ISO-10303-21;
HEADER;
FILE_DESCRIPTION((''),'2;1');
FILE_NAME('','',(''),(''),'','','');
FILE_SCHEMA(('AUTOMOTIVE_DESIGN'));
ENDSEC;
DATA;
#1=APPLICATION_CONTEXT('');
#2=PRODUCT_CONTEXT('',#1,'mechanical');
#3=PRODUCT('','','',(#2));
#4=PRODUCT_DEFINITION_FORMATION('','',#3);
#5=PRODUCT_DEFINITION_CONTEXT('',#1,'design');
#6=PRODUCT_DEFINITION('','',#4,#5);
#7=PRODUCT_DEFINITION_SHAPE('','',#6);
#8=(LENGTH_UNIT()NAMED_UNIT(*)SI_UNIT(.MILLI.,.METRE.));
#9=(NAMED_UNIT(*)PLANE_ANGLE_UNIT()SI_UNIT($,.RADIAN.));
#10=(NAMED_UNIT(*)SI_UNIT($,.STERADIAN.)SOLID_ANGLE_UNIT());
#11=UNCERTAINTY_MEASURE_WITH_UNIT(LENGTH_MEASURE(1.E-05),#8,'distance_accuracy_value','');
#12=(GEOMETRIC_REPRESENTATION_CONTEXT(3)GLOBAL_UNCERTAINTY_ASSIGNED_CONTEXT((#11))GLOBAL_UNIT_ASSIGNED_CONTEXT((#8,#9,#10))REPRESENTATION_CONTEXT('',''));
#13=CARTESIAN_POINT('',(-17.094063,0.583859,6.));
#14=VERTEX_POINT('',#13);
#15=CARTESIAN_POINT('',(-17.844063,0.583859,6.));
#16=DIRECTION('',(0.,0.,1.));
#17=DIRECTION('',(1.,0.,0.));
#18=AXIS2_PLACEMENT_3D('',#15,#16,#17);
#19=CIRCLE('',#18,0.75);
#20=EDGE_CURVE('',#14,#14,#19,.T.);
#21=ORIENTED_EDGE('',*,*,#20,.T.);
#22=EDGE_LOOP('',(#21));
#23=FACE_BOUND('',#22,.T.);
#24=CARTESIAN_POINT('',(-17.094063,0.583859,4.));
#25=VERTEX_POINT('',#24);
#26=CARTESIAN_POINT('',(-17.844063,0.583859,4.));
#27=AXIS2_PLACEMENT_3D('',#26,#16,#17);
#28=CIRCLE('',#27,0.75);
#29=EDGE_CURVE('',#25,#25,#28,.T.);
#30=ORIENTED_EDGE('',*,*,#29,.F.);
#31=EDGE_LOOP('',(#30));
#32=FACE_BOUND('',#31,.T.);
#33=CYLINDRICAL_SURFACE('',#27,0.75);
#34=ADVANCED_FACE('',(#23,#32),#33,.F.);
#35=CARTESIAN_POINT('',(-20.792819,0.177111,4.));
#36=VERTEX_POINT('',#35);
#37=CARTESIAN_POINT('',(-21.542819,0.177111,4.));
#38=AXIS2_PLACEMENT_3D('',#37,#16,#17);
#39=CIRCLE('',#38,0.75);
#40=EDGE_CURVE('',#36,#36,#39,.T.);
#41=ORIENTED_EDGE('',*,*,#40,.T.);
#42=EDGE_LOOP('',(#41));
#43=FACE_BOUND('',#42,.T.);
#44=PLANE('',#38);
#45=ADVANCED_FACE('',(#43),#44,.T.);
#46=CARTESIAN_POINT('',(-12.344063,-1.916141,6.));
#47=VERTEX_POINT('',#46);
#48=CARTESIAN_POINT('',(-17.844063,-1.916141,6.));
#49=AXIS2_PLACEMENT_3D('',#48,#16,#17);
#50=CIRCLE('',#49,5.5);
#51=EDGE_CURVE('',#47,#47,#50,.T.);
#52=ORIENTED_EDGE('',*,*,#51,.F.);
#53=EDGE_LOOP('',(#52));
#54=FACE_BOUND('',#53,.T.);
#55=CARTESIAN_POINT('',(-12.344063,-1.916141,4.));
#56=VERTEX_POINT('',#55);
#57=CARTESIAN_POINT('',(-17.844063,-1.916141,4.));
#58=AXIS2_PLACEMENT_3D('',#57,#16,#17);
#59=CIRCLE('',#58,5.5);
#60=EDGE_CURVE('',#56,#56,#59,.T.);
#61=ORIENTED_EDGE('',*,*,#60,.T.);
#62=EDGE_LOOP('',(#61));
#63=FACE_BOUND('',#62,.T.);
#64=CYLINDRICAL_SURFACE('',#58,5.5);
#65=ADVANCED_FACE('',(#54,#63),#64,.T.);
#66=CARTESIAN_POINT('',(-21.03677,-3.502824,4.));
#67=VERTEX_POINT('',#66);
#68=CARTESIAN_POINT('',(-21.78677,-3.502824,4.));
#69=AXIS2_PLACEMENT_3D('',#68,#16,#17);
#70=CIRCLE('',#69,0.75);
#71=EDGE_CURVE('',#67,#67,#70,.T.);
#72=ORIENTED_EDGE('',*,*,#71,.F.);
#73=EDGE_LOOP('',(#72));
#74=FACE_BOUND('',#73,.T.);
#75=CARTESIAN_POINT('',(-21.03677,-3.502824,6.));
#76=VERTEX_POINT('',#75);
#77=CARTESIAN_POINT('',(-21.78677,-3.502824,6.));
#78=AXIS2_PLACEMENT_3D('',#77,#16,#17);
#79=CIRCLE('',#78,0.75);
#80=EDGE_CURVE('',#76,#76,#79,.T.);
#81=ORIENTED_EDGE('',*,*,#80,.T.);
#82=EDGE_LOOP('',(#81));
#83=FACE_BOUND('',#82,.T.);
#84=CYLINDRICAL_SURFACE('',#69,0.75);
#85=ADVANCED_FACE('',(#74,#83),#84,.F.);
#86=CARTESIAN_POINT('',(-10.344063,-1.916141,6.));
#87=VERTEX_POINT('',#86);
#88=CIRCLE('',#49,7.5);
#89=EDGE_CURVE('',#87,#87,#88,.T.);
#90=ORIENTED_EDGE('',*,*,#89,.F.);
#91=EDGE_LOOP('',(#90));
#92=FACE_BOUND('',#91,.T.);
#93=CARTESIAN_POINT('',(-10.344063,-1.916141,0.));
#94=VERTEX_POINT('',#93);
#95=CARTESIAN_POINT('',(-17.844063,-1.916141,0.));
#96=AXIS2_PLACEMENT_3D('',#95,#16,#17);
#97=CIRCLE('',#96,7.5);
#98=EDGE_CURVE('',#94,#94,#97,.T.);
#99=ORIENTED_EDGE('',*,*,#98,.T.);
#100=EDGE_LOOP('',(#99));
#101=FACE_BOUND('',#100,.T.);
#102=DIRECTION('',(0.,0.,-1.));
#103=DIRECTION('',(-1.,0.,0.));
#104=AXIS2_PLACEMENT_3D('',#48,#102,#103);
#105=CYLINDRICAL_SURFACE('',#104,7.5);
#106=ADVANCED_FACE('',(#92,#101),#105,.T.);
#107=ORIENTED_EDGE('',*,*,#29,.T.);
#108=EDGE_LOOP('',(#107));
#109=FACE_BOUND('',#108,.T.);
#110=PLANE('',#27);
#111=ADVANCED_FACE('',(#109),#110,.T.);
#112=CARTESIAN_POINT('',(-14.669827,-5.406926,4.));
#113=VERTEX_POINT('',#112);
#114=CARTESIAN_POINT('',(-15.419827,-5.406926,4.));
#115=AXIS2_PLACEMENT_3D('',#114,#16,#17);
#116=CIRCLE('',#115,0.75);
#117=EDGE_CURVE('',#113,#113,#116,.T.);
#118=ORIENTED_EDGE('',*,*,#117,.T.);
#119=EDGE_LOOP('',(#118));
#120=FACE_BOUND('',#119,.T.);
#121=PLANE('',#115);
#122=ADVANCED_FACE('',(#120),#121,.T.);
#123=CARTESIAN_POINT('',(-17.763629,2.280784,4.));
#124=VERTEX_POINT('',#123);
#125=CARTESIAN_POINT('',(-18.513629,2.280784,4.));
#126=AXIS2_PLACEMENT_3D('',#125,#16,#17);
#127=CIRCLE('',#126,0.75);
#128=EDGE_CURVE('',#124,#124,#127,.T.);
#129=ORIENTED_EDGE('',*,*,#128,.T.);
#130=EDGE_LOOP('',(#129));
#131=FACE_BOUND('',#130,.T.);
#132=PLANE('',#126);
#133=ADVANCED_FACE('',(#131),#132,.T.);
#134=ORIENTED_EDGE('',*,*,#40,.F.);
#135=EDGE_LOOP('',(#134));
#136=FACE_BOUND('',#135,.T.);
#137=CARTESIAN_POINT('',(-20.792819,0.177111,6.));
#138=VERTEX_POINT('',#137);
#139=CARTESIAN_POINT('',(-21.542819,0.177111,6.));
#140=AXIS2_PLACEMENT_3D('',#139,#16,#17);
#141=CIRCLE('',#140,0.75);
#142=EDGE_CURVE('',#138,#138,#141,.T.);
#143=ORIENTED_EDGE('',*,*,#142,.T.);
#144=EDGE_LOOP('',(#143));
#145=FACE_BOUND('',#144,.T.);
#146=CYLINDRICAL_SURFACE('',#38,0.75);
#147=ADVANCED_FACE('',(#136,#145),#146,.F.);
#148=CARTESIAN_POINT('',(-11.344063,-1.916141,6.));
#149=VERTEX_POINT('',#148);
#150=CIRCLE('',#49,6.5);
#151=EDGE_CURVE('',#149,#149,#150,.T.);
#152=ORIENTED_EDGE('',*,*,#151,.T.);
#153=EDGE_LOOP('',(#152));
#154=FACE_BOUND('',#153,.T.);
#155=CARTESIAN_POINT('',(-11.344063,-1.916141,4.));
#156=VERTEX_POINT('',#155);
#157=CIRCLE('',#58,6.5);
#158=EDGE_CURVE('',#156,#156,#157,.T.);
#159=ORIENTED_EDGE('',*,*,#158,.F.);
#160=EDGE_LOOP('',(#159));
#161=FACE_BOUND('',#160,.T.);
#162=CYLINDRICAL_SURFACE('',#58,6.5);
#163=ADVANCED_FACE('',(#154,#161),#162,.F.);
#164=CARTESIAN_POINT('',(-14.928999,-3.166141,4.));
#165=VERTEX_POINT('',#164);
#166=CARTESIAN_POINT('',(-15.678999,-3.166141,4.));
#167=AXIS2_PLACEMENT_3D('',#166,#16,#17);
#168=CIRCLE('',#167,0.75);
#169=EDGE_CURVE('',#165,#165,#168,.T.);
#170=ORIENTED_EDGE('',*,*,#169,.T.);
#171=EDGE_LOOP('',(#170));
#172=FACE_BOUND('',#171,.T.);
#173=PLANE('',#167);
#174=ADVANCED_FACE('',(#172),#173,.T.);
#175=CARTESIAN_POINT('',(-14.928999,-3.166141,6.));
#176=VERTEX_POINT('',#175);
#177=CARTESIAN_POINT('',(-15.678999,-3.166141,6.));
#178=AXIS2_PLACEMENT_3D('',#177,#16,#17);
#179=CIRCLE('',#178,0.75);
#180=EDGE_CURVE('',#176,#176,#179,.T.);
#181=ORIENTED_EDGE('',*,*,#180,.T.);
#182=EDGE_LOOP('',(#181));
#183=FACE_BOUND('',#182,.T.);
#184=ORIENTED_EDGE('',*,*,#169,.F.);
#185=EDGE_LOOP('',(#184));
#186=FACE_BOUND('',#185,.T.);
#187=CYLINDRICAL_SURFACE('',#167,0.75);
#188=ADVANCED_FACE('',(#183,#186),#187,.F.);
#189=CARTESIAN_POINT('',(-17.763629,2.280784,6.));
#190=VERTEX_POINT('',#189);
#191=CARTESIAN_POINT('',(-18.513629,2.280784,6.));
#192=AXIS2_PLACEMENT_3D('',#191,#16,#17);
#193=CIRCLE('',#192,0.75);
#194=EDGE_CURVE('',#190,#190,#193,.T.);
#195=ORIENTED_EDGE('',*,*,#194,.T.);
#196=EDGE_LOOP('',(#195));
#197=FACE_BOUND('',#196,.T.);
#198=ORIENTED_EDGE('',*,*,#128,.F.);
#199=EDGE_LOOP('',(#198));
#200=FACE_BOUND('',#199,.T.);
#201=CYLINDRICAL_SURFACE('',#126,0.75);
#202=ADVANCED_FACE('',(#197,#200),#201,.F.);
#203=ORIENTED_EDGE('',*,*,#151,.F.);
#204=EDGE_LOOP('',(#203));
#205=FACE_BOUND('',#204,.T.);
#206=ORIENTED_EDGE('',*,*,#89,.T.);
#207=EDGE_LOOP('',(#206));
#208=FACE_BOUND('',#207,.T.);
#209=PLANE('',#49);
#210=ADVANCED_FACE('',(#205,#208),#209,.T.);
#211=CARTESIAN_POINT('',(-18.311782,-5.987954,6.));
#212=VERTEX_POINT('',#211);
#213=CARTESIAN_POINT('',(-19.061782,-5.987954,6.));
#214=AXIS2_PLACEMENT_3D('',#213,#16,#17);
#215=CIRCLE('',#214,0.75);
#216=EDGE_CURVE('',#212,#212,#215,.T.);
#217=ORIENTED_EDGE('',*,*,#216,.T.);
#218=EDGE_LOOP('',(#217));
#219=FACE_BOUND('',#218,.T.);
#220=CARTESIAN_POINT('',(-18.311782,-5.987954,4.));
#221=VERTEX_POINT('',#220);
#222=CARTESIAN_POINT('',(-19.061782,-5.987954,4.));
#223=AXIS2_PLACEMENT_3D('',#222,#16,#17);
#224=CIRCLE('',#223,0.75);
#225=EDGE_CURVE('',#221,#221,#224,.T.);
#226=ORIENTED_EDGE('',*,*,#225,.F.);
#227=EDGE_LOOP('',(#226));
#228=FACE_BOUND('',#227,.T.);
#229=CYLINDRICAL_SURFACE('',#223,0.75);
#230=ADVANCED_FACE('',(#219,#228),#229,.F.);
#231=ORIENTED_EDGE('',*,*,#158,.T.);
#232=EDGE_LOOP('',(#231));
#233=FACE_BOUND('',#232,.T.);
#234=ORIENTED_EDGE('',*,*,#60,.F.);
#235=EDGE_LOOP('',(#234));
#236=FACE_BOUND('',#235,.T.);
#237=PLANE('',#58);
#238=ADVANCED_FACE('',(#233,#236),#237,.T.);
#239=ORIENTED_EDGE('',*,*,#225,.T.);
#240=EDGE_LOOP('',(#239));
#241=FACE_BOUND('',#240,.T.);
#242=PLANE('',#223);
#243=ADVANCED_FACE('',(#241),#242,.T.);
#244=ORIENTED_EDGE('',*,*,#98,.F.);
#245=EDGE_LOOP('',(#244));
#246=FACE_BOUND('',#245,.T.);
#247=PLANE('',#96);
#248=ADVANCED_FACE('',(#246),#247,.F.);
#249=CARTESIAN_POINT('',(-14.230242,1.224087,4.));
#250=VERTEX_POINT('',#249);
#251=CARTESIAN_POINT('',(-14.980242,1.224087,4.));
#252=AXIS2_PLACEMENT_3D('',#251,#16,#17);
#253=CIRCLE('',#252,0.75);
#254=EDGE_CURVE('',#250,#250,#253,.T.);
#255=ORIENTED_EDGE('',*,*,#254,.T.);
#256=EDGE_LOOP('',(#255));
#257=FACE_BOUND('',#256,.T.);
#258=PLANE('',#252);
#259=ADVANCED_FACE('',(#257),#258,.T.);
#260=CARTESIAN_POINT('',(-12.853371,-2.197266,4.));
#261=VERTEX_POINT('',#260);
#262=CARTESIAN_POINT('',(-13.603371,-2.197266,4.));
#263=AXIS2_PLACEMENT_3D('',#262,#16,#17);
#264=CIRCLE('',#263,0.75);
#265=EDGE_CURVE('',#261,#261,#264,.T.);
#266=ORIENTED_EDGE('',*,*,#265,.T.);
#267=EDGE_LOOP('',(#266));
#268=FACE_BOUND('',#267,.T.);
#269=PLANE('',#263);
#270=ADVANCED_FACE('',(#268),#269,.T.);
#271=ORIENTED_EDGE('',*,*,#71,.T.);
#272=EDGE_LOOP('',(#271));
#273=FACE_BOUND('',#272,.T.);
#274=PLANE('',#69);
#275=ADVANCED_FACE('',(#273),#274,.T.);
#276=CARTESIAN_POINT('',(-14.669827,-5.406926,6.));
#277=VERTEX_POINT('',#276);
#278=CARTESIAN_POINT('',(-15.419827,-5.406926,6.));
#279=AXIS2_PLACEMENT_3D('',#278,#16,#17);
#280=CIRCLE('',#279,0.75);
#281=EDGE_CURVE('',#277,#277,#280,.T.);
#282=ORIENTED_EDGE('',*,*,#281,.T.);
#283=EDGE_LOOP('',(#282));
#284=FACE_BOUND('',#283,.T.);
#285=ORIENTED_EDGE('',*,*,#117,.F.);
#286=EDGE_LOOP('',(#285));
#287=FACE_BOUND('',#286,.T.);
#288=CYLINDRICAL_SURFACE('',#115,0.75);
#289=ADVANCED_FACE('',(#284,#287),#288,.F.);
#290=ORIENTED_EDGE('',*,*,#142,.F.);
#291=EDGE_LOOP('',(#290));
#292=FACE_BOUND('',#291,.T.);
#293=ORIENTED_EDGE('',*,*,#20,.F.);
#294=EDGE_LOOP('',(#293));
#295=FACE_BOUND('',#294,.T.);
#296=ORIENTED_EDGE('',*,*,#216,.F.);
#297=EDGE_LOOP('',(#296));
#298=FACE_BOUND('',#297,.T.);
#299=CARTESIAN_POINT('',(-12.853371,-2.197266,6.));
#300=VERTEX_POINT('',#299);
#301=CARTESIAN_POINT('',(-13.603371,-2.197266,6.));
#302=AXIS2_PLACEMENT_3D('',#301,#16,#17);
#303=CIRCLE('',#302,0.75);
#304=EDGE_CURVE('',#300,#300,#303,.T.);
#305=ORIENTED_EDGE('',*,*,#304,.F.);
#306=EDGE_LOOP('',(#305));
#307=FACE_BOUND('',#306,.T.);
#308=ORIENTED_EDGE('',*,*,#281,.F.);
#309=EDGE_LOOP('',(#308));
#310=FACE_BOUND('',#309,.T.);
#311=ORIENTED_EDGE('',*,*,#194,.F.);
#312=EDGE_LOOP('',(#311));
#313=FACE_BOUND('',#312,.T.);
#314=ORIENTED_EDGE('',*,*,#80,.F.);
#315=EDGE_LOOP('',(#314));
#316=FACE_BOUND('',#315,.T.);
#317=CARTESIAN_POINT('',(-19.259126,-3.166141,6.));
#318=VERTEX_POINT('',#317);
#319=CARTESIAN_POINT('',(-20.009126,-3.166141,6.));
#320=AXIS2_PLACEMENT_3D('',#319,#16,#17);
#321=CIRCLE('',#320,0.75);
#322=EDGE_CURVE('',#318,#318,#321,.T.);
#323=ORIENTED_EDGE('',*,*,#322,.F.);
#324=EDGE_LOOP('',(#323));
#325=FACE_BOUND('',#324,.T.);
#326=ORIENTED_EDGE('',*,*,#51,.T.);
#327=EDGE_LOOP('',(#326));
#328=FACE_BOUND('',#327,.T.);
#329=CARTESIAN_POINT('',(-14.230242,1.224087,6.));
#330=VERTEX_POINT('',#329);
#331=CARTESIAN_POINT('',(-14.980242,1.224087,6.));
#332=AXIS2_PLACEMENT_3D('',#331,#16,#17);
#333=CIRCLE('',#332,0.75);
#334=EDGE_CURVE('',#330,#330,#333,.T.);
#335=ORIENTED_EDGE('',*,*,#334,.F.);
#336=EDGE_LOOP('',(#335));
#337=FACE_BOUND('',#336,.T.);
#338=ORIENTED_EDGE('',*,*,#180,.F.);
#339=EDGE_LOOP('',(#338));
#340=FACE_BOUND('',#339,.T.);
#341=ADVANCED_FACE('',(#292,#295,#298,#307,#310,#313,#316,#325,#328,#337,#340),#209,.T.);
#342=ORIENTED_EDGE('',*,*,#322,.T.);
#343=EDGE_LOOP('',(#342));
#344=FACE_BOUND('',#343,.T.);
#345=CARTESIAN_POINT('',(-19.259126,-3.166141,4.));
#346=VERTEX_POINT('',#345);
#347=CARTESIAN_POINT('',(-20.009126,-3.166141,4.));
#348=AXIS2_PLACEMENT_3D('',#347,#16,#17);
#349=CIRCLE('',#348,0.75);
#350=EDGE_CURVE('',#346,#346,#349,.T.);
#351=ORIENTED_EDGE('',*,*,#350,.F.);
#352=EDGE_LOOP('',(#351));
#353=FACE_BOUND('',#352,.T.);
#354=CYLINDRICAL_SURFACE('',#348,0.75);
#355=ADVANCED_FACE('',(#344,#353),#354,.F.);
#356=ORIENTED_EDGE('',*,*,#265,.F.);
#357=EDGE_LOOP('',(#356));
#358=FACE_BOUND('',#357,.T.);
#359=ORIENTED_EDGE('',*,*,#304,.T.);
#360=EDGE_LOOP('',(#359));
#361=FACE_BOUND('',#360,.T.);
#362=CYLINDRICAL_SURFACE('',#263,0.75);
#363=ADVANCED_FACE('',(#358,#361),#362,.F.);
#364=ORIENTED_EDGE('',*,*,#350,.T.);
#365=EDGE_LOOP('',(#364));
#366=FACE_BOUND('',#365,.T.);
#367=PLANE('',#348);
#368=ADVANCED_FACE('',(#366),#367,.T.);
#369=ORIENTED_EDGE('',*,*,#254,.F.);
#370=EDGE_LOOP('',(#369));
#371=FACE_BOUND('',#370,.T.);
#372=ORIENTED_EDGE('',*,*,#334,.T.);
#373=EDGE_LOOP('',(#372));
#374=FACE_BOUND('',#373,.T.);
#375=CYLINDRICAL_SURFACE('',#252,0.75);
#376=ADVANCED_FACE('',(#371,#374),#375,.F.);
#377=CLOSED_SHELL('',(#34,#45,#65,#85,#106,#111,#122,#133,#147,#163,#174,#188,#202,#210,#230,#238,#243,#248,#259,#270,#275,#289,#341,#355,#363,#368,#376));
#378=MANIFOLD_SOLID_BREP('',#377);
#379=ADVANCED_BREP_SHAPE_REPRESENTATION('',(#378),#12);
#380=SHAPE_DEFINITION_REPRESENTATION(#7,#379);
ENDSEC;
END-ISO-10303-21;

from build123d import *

# Parameters (mm, degrees)
SKETCH2_R           = 7.5
BOSS_EXTRUDE1_DEPTH = 6
SKETCH3_R           = 6.5
SKETCH3_R_2         = 5.5
CUT_EXTRUDE1_DEPTH  = 2
SKETCH4_R           = 0.75
CUT_EXTRUDE2_DEPTH  = 2


with BuildPart() as part:
    # Sketch2 → Boss-Extrude1 (new body)
    with BuildSketch(Plane.XY):
        with Locations((-17.844062558, -1.916140946)):
            Circle(SKETCH2_R)
    extrude(amount=BOSS_EXTRUDE1_DEPTH)

    # Sketch3 → Cut-Extrude1 (cut)
    with BuildSketch(Plane.XY.offset(6)):
        with Locations((-17.844062558, -1.916140946)):
            Circle(SKETCH3_R)
        with Locations((-17.844062558, -1.916140946)):
            Circle(SKETCH3_R_2, mode=Mode.SUBTRACT)
    extrude(amount=-CUT_EXTRUDE1_DEPTH, mode=Mode.SUBTRACT)

    # Sketch4 → Cut-Extrude2 (cut)
    with BuildSketch(Plane.XY.offset(6)):
        with Locations((-17.844062558, 0.583859054)):
            Circle(SKETCH4_R)
        with Locations((-15.678999049, -3.166140946)):
            Circle(SKETCH4_R)
        with Locations((-20.009126068, -3.166140946)):
            Circle(SKETCH4_R)
        with Locations((-21.542818561, 0.177111078)):
            Circle(SKETCH4_R)
        with Locations((-18.513628873, 2.280784232)):
            Circle(SKETCH4_R)
        with Locations((-14.980242093, 1.224087126)):
            Circle(SKETCH4_R)
        with Locations((-13.603370535, -2.197265767)):
            Circle(SKETCH4_R)
        with Locations((-15.419826565, -5.406925936)):
            Circle(SKETCH4_R)
        with Locations((-19.061781743, -5.987953808)):
            Circle(SKETCH4_R)
        with Locations((-21.786769538, -3.502823545)):
            Circle(SKETCH4_R)
    extrude(amount=-CUT_EXTRUDE2_DEPTH, mode=Mode.SUBTRACT)


solid = part.part
